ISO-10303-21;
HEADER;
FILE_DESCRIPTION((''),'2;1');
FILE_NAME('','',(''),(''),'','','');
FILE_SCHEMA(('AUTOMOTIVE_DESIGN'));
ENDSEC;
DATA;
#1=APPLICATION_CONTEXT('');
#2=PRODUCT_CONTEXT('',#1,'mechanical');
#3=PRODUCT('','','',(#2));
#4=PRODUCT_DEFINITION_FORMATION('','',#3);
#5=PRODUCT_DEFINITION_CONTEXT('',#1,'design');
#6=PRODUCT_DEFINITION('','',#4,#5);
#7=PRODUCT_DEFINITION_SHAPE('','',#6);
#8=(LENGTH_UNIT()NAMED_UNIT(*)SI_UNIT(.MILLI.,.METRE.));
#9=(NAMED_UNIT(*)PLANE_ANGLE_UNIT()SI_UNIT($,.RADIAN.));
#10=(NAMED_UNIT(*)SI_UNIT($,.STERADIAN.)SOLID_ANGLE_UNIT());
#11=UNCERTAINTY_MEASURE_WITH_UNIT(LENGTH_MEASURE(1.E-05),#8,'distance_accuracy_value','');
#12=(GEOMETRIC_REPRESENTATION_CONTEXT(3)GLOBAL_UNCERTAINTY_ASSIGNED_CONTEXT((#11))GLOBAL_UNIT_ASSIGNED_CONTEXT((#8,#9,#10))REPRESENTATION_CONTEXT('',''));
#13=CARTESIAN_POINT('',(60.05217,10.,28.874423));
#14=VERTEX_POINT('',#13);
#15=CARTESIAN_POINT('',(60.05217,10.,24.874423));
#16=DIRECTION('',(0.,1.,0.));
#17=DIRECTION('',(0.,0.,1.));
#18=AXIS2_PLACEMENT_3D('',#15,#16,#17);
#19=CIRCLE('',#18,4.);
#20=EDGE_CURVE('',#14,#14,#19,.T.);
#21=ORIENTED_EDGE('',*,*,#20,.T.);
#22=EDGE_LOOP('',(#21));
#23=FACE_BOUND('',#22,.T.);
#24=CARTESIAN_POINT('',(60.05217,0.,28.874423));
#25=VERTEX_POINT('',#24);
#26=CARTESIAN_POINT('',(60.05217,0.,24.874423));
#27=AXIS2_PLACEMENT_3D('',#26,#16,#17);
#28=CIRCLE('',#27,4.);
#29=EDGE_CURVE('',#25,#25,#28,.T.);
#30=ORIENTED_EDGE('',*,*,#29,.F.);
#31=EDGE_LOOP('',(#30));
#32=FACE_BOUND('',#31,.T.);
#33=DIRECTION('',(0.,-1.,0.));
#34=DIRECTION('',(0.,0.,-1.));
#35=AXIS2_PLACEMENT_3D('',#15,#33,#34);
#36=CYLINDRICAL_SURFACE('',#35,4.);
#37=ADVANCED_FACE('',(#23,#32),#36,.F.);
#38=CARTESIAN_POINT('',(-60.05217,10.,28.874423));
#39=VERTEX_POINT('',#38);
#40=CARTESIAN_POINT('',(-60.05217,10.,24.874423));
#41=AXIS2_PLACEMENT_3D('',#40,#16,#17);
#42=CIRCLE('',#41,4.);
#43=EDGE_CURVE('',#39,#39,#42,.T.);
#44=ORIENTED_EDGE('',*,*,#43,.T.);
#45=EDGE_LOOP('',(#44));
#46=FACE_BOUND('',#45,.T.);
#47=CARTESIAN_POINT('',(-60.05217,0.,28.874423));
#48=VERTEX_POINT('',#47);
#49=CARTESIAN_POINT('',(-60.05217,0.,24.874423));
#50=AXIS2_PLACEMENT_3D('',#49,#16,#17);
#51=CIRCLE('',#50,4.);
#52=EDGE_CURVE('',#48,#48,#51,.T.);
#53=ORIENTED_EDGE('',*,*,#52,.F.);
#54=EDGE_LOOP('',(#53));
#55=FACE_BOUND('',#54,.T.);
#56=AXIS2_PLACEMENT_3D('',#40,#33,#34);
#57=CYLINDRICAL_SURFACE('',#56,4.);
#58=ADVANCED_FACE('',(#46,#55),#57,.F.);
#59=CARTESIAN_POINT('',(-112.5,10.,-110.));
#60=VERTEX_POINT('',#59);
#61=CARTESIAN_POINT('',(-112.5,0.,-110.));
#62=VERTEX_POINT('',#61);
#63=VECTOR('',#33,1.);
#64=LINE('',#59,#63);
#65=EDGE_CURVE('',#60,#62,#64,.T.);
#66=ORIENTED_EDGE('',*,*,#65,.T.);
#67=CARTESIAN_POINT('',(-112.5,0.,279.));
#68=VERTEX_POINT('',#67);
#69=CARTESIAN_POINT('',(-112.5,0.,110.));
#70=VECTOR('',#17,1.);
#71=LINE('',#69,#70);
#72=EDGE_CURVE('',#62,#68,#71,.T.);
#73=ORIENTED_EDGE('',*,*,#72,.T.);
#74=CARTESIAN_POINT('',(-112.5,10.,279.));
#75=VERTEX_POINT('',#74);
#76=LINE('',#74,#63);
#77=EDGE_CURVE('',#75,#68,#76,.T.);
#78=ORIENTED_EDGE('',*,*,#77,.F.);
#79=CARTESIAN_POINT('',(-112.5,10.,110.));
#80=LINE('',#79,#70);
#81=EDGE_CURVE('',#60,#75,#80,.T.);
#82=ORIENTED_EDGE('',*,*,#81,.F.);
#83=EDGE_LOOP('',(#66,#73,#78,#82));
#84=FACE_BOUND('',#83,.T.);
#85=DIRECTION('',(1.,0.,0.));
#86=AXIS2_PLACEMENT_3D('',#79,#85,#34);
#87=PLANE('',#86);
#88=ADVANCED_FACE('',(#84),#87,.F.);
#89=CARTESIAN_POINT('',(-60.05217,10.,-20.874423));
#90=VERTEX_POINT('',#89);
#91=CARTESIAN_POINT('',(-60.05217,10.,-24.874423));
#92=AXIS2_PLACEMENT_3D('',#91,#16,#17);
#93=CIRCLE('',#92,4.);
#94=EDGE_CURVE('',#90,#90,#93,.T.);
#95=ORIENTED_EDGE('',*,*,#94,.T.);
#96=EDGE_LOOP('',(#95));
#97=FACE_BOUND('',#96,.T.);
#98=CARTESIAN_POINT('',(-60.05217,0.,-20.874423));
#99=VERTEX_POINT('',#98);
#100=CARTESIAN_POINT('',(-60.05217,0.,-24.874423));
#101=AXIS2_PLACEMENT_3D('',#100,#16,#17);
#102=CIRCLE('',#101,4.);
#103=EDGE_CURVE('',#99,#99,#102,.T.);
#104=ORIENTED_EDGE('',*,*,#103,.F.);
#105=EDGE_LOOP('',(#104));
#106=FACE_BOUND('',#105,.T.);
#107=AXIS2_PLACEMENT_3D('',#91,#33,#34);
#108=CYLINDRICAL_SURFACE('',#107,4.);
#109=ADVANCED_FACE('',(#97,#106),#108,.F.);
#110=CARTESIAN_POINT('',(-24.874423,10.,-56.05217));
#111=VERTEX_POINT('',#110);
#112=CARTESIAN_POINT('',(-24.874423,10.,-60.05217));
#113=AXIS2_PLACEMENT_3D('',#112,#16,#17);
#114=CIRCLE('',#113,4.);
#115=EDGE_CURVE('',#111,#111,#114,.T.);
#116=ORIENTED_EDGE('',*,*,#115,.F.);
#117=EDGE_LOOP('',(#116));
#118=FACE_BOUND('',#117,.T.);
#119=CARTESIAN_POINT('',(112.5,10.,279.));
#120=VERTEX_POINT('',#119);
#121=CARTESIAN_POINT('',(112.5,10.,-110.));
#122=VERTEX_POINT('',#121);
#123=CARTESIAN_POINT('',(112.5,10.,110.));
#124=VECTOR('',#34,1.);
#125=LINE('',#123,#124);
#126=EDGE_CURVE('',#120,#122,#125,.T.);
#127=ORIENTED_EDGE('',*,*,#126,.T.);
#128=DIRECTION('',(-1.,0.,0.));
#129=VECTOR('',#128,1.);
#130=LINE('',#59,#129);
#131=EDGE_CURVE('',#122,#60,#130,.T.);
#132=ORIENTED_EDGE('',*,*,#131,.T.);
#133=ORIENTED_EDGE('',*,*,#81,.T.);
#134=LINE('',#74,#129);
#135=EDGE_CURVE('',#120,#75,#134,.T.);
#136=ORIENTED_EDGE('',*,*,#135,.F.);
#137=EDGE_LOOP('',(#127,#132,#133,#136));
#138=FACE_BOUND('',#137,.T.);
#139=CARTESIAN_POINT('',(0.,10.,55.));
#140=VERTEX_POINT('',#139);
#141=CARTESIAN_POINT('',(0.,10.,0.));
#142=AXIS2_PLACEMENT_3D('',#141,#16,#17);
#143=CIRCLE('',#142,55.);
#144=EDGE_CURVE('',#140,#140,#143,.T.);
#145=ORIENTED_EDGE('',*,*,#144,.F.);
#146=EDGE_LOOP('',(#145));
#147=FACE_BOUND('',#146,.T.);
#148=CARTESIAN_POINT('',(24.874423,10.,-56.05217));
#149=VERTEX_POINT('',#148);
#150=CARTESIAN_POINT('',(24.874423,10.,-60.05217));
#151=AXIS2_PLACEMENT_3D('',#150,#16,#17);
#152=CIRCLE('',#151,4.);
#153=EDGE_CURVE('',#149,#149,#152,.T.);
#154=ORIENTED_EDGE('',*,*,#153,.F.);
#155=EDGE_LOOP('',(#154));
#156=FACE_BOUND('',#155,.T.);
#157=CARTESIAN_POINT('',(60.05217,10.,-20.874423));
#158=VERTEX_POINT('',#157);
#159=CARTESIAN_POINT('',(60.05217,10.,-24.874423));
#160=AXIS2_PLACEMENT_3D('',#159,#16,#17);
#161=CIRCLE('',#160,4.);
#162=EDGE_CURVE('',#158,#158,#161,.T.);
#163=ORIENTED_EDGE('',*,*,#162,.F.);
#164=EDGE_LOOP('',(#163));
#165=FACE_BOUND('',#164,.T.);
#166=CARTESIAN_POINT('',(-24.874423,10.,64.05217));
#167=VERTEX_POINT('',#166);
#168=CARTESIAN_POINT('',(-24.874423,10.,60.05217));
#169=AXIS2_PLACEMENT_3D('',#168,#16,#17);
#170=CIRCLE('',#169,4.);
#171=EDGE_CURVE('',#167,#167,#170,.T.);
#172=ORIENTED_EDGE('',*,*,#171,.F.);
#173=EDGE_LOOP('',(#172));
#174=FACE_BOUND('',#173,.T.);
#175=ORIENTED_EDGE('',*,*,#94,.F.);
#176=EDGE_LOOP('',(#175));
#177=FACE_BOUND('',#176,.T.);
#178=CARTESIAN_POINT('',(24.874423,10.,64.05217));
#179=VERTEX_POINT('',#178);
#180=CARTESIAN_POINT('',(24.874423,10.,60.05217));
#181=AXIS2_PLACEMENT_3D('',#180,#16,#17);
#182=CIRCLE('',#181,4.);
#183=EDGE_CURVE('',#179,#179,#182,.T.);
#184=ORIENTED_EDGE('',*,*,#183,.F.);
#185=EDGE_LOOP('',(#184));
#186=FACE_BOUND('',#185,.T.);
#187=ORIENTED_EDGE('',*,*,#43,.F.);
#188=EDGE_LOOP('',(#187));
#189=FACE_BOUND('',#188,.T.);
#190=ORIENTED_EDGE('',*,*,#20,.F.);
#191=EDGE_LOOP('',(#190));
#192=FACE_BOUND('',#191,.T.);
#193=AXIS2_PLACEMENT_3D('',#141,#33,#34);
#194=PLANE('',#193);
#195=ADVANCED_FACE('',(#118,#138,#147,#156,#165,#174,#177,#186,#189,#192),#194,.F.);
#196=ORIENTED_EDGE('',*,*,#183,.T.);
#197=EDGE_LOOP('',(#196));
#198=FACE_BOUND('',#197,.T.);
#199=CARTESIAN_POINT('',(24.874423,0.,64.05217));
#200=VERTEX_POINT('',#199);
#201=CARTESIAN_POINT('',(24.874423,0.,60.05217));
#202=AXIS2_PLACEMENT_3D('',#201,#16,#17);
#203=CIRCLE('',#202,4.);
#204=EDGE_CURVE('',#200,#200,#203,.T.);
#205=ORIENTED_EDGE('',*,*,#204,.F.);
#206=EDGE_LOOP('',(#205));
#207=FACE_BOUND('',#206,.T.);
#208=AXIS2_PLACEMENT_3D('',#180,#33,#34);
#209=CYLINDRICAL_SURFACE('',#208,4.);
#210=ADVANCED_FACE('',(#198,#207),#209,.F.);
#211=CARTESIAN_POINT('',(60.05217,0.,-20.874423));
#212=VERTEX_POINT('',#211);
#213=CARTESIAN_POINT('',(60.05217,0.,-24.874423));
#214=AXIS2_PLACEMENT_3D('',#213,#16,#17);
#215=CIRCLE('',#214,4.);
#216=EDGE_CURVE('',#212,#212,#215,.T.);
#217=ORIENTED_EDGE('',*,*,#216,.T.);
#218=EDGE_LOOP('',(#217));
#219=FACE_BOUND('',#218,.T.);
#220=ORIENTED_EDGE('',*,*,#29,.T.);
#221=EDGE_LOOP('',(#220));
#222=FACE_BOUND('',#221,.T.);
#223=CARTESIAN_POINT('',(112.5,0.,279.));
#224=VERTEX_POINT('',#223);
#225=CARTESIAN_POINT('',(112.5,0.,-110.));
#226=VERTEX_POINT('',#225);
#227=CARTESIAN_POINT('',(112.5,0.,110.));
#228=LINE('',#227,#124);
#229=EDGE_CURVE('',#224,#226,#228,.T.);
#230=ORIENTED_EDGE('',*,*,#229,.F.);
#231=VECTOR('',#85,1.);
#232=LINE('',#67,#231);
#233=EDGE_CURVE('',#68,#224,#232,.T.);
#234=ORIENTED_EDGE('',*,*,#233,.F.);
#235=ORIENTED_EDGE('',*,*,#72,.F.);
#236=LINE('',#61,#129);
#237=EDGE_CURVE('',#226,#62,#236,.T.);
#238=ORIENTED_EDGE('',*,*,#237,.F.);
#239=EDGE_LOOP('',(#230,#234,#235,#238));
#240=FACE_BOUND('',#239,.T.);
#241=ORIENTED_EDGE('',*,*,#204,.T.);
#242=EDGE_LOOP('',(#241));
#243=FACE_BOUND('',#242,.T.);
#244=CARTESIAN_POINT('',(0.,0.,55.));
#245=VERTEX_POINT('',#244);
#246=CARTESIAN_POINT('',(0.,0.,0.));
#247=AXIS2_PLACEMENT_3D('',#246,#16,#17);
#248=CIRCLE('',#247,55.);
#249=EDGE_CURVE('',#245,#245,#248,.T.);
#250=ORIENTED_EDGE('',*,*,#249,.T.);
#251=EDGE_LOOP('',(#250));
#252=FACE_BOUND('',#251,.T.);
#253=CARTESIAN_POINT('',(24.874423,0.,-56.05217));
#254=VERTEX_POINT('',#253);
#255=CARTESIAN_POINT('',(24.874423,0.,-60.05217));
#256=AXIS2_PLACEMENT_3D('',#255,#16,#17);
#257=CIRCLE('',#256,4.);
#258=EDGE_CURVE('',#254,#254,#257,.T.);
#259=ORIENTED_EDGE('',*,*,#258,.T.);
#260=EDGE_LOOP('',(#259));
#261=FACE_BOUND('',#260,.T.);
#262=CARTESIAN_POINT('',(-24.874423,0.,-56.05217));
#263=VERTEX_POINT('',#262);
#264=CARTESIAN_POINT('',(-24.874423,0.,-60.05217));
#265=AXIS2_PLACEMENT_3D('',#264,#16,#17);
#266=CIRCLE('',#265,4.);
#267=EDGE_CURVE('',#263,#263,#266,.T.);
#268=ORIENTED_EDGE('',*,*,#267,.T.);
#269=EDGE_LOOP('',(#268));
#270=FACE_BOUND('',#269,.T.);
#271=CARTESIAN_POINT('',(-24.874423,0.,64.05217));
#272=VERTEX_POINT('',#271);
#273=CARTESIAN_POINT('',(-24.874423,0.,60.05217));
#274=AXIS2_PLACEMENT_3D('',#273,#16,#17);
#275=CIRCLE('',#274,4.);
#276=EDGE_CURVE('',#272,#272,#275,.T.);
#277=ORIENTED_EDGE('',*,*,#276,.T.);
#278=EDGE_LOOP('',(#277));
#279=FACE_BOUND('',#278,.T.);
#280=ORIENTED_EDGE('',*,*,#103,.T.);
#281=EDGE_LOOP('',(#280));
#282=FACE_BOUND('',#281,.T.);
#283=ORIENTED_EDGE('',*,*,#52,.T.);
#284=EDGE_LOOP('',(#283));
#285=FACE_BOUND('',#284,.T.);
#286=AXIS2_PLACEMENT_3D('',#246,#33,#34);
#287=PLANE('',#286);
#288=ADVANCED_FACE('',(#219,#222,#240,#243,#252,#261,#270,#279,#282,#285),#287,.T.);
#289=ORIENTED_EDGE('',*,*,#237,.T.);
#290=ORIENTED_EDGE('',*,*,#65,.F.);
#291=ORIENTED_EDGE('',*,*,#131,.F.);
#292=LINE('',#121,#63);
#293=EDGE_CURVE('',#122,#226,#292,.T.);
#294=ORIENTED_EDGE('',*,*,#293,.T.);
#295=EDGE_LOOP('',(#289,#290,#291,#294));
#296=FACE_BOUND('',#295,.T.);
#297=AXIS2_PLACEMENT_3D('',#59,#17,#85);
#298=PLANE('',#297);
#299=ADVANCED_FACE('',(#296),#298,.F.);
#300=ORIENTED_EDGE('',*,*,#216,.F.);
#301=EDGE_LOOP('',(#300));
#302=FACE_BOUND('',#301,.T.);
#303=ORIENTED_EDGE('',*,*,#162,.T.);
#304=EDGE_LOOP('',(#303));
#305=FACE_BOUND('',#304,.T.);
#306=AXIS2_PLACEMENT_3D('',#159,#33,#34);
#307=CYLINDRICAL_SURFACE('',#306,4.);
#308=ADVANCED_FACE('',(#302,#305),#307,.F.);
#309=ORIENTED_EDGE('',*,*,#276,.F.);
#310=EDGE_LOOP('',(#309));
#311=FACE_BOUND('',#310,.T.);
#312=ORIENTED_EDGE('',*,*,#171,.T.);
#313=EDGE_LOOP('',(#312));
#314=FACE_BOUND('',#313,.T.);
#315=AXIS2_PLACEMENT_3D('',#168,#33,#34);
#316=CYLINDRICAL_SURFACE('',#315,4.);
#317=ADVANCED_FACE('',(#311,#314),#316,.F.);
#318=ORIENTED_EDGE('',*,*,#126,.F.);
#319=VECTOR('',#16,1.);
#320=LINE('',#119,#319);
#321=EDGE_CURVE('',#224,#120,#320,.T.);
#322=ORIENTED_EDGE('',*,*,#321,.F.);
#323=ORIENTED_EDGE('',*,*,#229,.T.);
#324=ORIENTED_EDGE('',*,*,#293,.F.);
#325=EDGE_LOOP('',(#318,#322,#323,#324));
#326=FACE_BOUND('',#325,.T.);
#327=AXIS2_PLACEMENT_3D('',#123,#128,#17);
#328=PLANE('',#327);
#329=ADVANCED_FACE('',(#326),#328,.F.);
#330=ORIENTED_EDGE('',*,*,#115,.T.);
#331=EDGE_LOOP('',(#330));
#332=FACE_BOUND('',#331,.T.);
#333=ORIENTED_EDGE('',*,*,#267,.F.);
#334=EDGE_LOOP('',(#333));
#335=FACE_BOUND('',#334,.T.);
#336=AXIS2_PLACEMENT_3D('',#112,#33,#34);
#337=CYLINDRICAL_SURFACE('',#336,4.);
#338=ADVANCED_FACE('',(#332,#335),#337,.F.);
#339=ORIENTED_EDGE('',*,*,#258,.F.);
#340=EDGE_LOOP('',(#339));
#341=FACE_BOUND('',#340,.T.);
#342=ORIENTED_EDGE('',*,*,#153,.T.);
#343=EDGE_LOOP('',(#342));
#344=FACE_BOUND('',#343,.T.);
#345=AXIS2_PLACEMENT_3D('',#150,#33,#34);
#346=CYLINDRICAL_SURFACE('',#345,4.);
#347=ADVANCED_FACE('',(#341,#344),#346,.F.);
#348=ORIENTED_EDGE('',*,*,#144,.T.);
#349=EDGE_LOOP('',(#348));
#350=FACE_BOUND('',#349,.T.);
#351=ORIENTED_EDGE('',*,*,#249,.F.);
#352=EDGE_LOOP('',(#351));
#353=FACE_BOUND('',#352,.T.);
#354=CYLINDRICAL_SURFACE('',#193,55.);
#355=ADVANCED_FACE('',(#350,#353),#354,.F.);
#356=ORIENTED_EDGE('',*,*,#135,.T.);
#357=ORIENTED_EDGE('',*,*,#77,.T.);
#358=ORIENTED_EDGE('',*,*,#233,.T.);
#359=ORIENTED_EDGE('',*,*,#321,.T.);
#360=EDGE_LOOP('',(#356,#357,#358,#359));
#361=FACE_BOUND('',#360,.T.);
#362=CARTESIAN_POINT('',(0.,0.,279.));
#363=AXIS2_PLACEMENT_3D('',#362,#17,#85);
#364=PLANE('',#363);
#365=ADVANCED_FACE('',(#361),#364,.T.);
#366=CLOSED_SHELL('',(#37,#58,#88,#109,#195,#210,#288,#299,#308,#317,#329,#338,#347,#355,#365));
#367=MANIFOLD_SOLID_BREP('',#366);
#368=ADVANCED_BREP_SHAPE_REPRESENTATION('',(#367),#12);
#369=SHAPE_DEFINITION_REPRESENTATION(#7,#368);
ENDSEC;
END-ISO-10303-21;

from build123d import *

# Parameters (mm, degrees)
SKETCH1_W           = 225
SKETCH1_H           = 220
SKETCH1_R           = 55
BOSS_EXTRUDE1_DEPTH = 10
SKETCH2_R           = 4
CUT_EXTRUDE1_DEPTH  = 10
SKETCH3_W           = 225
SKETCH3_H           = 10
BOSS_EXTRUDE2_DEPTH = 169


with BuildPart() as part:
    # Sketch1 → Boss-Extrude1 (new body)
    with BuildSketch(Plane(origin=(0, 0, 0), x_dir=(1, 0, 0), z_dir=(0, 1, 0))):
        Rectangle(SKETCH1_W, SKETCH1_H)
        with Locations(Location((0, 0, 0), (0, 0, 270))):
            Circle(SKETCH1_R, mode=Mode.SUBTRACT)
    extrude(amount=BOSS_EXTRUDE1_DEPTH)

    # Sketch2 → Cut-Extrude1 (cut)
    with BuildSketch(Plane(origin=(0, 0, 0), x_dir=(1, 0, 0), z_dir=(0, 1, 0))):
        with Locations(Location((-24.874423104, -60.052169613, 0), (0, 0, 270))):
            Circle(SKETCH2_R)
        with Locations(Location((-60.052169613, -24.874423104, 0), (0, 0, 270))):
            Circle(SKETCH2_R)
        with Locations(Location((-60.052169613, 24.874423104, 0), (0, 0, 270))):
            Circle(SKETCH2_R)
        with Locations(Location((-24.874423104, 60.052169613, 0), (0, 0, 270))):
            Circle(SKETCH2_R)
        with Locations(Location((24.874423104, 60.052169613, 0), (0, 0, 270))):
            Circle(SKETCH2_R)
        with Locations(Location((60.052169613, 24.874423104, 0), (0, 0, 270))):
            Circle(SKETCH2_R)
        with Locations(Location((60.052169613, -24.874423104, 0), (0, 0, 270))):
            Circle(SKETCH2_R)
        with Locations(Location((24.874423104, -60.052169613, 0), (0, 0, 270))):
            Circle(SKETCH2_R)
    extrude(amount=CUT_EXTRUDE1_DEPTH, mode=Mode.SUBTRACT)

    # Sketch3 → Boss-Extrude2 (add)
    with BuildSketch(Plane.XY.offset(110)):
        with Locations((0, 5)):
            Rectangle(SKETCH3_W, SKETCH3_H)
    extrude(amount=BOSS_EXTRUDE2_DEPTH)


solid = part.part
